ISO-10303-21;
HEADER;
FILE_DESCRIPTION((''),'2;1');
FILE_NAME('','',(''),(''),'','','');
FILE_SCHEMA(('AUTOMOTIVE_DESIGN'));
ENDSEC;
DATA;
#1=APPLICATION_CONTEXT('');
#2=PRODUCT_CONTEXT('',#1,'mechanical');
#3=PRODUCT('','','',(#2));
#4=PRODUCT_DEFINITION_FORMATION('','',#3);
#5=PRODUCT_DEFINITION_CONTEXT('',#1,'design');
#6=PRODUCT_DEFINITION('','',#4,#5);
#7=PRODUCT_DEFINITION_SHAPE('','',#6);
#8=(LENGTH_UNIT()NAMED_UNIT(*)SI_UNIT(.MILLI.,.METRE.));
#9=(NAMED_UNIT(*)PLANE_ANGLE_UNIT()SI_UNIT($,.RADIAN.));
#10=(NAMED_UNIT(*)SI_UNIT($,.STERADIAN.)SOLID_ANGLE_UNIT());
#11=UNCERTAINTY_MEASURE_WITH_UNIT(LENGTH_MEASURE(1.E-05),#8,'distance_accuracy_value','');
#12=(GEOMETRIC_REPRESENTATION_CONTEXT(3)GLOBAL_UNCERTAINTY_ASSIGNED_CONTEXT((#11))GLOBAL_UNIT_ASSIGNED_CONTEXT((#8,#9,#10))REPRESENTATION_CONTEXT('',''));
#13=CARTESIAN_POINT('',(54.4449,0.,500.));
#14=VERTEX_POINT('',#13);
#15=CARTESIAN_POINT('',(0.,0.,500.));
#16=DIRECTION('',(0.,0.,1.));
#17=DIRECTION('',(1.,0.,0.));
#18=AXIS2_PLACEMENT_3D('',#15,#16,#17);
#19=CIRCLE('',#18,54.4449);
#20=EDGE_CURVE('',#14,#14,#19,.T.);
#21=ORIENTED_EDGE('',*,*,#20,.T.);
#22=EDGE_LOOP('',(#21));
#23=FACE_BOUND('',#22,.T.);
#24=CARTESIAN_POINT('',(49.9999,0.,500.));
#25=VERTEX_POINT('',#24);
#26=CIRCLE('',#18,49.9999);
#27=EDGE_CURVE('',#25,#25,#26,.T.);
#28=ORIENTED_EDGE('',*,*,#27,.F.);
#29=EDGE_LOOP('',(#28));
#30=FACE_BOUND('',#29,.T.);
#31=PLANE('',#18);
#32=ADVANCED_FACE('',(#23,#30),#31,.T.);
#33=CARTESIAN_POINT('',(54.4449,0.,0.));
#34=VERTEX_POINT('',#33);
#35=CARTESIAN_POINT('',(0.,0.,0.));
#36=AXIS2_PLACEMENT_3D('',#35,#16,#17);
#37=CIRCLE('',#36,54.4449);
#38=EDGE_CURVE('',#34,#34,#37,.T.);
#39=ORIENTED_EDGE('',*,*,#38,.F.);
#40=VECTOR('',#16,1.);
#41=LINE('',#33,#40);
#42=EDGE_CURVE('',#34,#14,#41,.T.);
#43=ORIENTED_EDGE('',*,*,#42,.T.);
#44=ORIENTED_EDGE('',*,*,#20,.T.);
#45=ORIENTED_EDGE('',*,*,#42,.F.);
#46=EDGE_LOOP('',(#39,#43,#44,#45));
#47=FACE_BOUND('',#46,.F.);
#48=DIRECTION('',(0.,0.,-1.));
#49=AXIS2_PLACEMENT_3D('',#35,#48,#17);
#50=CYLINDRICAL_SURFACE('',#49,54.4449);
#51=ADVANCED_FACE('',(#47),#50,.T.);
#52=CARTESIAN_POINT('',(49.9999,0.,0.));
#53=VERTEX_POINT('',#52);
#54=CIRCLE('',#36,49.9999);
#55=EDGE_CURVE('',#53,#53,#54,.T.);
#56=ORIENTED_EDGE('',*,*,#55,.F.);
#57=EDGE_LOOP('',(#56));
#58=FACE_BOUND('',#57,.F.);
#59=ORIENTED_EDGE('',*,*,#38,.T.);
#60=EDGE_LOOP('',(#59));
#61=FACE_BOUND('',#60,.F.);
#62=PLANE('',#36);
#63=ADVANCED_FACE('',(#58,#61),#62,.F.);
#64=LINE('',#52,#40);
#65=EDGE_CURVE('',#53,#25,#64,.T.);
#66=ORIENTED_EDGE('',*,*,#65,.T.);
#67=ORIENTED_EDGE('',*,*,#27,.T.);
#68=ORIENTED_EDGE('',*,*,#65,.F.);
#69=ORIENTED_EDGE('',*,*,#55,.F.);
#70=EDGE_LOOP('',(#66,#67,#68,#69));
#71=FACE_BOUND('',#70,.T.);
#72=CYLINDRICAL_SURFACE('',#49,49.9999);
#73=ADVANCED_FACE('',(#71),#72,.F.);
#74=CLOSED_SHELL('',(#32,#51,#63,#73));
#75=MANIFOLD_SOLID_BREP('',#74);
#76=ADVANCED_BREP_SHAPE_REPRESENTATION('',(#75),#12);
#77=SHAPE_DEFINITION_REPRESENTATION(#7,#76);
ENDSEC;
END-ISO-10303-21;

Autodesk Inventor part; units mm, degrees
ref_plane "YZ Plane" through (0, 0, 0) normal (1, 0, 0) x (0, 1, 0)
ref_plane "XZ Plane" through (0, 0, 0) normal (0, 1, 0) x (-1, 0, 0)
ref_plane "XY Plane" through (0, 0, 0) normal (0, 0, 1) x (1, 0, 0)
sketch "Sketch1" plane through (0, 0, 0) normal (0, 0, 1) x (1, 0, 0)
  circle A0 centre (0, 0) radius 49.9999
  circle A1 centre (0, 0) radius 54.4449
  dimension "d0" = 99.9998
  dimension "d1" = 4.445
extrude "Extrusion1" add sketch "Sketch1" along normal blind 500
properties part number "pipe1.5m"
